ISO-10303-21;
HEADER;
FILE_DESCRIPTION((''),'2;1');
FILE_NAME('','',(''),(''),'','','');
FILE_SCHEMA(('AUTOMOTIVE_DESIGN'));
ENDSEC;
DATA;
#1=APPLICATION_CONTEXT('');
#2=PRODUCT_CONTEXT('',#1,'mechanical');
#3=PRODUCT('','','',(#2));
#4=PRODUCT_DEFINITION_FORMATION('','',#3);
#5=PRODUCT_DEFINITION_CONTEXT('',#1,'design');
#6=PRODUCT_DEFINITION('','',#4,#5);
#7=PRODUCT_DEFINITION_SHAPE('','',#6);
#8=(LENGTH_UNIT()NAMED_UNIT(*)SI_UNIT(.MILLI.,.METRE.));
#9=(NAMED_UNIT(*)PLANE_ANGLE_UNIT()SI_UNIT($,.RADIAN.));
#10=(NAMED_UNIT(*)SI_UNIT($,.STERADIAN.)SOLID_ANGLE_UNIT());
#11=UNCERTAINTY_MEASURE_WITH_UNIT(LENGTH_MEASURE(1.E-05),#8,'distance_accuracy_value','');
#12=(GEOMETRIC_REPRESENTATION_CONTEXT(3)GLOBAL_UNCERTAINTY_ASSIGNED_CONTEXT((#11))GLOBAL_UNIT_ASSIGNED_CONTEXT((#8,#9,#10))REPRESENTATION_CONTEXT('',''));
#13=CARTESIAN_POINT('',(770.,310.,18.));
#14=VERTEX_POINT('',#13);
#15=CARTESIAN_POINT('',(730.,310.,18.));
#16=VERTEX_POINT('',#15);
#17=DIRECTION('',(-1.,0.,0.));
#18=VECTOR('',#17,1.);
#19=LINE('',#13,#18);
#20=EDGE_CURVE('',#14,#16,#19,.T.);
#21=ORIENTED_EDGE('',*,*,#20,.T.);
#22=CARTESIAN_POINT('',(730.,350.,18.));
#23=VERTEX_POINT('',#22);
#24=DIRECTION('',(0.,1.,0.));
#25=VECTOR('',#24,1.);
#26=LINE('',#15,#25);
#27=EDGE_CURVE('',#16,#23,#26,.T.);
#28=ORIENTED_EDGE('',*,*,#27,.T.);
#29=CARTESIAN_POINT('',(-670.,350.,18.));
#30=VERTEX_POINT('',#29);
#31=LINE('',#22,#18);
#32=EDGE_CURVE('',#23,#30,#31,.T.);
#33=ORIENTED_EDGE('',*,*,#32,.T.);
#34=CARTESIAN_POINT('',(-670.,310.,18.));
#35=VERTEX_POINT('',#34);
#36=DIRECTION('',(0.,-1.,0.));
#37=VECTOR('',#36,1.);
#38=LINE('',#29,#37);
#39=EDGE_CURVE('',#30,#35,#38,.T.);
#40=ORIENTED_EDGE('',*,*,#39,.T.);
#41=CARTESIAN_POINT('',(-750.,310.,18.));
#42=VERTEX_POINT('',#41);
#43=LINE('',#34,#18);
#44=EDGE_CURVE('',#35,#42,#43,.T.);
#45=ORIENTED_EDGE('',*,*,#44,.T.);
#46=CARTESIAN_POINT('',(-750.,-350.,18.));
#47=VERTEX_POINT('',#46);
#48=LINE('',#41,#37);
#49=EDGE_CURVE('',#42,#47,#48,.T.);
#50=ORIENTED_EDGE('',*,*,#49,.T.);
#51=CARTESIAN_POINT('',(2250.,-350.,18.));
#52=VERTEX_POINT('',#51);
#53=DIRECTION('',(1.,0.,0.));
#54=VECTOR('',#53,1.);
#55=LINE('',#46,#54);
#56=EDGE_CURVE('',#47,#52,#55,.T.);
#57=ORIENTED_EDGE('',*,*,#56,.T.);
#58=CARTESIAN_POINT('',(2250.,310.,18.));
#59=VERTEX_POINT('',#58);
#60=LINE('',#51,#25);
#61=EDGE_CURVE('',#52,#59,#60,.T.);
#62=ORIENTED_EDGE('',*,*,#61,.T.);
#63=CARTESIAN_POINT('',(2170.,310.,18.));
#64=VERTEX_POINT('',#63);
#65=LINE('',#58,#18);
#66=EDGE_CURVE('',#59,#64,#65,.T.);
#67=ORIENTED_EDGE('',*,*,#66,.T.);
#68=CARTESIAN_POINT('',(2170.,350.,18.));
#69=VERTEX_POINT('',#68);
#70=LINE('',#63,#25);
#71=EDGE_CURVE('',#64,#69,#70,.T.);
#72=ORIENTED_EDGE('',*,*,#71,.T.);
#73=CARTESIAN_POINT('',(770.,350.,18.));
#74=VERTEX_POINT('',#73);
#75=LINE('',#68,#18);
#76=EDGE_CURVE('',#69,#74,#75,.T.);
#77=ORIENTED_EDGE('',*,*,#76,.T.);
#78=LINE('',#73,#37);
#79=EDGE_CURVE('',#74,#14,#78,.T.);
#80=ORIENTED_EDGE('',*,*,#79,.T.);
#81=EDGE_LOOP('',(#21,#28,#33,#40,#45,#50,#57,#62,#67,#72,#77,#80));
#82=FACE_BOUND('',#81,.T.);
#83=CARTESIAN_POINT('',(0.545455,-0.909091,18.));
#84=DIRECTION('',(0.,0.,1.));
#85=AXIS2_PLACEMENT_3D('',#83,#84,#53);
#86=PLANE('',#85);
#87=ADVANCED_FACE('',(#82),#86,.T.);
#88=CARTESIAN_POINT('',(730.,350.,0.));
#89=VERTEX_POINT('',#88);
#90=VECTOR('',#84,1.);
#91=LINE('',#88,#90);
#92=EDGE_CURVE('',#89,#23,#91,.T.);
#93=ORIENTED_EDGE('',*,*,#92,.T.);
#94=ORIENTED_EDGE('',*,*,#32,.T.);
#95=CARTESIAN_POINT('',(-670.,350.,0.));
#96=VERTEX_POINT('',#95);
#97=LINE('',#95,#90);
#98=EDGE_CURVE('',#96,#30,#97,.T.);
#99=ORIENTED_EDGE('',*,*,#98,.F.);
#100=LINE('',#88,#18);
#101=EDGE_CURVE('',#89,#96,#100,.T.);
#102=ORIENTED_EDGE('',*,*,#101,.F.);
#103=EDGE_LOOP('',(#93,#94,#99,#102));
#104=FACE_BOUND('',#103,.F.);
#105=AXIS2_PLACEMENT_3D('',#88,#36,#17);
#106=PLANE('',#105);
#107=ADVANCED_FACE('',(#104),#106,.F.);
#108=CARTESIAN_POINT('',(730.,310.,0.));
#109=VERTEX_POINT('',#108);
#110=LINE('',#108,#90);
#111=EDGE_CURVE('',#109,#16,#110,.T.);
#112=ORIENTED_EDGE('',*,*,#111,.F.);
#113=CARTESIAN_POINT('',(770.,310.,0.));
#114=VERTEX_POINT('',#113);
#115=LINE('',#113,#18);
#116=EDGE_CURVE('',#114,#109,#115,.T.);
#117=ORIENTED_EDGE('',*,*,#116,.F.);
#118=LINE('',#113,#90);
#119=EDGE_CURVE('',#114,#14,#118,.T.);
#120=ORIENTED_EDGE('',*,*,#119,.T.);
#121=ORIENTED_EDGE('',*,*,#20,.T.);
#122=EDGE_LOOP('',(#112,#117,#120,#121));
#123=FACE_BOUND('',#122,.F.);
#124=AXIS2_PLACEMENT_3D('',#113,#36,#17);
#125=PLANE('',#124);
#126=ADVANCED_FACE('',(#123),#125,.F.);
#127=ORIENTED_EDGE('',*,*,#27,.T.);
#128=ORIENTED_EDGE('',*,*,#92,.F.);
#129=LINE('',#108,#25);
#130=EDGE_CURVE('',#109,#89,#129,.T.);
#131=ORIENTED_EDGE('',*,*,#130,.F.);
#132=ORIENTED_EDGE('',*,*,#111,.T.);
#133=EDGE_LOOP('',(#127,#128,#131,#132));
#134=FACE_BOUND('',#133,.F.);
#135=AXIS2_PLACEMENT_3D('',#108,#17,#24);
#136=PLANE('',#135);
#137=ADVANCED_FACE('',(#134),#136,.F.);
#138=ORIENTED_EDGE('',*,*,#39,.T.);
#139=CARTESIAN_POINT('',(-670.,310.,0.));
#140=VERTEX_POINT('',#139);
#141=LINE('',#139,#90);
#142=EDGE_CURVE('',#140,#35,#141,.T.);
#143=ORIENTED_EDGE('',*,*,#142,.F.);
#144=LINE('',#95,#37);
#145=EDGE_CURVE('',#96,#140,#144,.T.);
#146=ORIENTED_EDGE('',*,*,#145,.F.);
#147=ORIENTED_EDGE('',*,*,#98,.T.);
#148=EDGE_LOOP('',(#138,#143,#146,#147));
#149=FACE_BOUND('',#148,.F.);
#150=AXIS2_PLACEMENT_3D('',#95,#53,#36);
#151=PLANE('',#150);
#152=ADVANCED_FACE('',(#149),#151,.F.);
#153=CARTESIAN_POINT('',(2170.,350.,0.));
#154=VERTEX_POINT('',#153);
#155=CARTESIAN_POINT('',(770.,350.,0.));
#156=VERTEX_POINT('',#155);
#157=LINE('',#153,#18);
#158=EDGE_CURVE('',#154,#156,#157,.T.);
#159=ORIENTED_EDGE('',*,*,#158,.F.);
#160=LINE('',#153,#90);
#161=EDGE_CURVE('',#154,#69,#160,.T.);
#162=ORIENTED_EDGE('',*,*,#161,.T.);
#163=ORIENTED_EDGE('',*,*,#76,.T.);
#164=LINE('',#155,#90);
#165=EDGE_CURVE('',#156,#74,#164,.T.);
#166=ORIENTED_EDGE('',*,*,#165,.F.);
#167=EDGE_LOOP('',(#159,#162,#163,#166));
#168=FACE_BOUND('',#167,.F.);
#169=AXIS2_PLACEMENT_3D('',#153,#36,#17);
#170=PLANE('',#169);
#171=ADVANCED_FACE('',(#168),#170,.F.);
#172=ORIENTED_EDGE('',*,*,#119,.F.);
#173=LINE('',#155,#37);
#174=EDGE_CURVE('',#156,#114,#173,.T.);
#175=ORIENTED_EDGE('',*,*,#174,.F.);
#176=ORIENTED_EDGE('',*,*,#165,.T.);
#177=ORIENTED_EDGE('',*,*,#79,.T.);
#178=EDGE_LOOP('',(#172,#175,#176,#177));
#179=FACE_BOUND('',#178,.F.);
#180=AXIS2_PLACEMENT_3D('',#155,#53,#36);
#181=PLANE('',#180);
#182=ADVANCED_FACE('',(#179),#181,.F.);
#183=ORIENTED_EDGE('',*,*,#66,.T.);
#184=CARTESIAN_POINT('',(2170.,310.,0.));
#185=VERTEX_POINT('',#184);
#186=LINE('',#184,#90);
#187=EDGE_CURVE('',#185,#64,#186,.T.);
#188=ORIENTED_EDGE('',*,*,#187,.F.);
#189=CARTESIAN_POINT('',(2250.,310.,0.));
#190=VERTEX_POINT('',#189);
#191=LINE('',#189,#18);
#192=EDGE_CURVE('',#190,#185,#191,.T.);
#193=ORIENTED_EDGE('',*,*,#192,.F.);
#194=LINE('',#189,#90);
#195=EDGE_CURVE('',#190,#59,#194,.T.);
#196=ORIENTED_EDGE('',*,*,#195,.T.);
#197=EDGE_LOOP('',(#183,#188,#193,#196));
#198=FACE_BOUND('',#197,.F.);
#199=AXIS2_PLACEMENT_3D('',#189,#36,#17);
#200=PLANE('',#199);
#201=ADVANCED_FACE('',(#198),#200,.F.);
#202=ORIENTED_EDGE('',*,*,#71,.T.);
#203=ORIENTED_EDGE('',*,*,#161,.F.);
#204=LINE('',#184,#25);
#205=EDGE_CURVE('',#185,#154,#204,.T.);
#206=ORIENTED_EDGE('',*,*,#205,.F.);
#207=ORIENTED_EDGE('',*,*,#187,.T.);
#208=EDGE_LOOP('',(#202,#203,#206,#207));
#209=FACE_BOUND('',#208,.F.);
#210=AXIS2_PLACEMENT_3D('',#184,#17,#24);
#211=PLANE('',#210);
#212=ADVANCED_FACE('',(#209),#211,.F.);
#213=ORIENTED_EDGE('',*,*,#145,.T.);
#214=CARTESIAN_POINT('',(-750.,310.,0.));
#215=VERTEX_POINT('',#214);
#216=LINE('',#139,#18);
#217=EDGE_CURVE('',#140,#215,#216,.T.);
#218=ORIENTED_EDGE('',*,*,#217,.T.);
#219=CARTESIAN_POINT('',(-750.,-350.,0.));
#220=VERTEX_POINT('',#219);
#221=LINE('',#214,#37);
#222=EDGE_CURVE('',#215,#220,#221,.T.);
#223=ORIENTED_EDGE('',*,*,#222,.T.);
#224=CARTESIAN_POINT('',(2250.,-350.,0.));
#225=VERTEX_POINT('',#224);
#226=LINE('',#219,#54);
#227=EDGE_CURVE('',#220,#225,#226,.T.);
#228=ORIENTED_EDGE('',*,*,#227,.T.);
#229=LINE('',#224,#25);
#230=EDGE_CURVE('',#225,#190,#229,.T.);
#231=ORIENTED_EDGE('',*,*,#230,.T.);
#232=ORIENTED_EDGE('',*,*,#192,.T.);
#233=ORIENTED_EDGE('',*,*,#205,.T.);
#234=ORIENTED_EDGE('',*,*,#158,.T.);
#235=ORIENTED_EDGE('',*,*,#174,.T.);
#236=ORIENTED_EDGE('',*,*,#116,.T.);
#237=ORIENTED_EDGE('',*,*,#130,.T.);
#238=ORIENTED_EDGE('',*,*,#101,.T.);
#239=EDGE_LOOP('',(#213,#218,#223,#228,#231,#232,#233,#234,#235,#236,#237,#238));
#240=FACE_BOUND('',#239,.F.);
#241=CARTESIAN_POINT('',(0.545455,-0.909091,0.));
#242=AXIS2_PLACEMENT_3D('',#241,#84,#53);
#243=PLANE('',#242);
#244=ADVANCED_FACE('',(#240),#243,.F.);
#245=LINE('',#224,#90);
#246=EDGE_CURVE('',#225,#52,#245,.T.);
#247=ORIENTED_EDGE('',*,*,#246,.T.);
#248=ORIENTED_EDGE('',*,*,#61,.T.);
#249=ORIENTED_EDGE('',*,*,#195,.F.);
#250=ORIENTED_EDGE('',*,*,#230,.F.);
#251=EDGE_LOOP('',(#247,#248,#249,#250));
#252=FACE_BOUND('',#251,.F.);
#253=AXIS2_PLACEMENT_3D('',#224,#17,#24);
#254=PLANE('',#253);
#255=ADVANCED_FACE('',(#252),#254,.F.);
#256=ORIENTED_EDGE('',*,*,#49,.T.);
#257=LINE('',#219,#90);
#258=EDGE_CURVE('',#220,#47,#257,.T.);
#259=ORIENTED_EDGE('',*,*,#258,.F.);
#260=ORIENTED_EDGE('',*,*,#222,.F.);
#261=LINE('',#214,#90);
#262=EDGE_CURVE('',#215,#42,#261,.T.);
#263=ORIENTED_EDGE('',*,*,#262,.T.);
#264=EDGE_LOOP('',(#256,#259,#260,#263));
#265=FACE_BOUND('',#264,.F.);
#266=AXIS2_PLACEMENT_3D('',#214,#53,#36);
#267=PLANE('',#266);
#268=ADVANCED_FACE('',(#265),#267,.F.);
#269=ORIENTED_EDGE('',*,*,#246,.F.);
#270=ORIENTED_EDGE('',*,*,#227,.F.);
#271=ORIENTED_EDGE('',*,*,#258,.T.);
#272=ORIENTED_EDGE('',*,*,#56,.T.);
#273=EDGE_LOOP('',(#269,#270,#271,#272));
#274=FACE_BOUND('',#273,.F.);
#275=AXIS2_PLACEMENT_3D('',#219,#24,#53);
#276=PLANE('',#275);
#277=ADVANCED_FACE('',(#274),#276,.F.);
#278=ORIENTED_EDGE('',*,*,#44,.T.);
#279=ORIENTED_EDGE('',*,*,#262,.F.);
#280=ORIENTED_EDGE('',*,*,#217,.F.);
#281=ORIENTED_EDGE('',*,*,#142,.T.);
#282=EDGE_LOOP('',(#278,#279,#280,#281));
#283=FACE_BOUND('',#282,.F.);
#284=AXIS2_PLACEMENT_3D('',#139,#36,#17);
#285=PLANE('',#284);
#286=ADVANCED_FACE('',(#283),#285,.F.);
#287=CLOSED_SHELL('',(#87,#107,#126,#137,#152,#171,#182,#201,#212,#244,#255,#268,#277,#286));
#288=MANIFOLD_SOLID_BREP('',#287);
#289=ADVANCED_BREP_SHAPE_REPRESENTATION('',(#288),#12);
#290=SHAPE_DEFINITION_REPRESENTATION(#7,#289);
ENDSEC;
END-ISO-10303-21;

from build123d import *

# Parameters (mm, degrees)
F1_DEPTH = 18


with BuildPart() as f1:
    # F0 (on Top) → F1 (new body)
    with BuildSketch(Plane.XY):
        Polygon((-750, -350), (750, -350), (750, 310), (730, 310), (730, 350), (-670, 350), (-670, 310), (-750, 310), align=None)
        Polygon((750, 310), (750, -350), (2250, -350), (2250, 310), (2170, 310), (2170, 350), (770, 350), (770, 310), align=None)
    extrude(amount=F1_DEPTH)


solid = f1.part
